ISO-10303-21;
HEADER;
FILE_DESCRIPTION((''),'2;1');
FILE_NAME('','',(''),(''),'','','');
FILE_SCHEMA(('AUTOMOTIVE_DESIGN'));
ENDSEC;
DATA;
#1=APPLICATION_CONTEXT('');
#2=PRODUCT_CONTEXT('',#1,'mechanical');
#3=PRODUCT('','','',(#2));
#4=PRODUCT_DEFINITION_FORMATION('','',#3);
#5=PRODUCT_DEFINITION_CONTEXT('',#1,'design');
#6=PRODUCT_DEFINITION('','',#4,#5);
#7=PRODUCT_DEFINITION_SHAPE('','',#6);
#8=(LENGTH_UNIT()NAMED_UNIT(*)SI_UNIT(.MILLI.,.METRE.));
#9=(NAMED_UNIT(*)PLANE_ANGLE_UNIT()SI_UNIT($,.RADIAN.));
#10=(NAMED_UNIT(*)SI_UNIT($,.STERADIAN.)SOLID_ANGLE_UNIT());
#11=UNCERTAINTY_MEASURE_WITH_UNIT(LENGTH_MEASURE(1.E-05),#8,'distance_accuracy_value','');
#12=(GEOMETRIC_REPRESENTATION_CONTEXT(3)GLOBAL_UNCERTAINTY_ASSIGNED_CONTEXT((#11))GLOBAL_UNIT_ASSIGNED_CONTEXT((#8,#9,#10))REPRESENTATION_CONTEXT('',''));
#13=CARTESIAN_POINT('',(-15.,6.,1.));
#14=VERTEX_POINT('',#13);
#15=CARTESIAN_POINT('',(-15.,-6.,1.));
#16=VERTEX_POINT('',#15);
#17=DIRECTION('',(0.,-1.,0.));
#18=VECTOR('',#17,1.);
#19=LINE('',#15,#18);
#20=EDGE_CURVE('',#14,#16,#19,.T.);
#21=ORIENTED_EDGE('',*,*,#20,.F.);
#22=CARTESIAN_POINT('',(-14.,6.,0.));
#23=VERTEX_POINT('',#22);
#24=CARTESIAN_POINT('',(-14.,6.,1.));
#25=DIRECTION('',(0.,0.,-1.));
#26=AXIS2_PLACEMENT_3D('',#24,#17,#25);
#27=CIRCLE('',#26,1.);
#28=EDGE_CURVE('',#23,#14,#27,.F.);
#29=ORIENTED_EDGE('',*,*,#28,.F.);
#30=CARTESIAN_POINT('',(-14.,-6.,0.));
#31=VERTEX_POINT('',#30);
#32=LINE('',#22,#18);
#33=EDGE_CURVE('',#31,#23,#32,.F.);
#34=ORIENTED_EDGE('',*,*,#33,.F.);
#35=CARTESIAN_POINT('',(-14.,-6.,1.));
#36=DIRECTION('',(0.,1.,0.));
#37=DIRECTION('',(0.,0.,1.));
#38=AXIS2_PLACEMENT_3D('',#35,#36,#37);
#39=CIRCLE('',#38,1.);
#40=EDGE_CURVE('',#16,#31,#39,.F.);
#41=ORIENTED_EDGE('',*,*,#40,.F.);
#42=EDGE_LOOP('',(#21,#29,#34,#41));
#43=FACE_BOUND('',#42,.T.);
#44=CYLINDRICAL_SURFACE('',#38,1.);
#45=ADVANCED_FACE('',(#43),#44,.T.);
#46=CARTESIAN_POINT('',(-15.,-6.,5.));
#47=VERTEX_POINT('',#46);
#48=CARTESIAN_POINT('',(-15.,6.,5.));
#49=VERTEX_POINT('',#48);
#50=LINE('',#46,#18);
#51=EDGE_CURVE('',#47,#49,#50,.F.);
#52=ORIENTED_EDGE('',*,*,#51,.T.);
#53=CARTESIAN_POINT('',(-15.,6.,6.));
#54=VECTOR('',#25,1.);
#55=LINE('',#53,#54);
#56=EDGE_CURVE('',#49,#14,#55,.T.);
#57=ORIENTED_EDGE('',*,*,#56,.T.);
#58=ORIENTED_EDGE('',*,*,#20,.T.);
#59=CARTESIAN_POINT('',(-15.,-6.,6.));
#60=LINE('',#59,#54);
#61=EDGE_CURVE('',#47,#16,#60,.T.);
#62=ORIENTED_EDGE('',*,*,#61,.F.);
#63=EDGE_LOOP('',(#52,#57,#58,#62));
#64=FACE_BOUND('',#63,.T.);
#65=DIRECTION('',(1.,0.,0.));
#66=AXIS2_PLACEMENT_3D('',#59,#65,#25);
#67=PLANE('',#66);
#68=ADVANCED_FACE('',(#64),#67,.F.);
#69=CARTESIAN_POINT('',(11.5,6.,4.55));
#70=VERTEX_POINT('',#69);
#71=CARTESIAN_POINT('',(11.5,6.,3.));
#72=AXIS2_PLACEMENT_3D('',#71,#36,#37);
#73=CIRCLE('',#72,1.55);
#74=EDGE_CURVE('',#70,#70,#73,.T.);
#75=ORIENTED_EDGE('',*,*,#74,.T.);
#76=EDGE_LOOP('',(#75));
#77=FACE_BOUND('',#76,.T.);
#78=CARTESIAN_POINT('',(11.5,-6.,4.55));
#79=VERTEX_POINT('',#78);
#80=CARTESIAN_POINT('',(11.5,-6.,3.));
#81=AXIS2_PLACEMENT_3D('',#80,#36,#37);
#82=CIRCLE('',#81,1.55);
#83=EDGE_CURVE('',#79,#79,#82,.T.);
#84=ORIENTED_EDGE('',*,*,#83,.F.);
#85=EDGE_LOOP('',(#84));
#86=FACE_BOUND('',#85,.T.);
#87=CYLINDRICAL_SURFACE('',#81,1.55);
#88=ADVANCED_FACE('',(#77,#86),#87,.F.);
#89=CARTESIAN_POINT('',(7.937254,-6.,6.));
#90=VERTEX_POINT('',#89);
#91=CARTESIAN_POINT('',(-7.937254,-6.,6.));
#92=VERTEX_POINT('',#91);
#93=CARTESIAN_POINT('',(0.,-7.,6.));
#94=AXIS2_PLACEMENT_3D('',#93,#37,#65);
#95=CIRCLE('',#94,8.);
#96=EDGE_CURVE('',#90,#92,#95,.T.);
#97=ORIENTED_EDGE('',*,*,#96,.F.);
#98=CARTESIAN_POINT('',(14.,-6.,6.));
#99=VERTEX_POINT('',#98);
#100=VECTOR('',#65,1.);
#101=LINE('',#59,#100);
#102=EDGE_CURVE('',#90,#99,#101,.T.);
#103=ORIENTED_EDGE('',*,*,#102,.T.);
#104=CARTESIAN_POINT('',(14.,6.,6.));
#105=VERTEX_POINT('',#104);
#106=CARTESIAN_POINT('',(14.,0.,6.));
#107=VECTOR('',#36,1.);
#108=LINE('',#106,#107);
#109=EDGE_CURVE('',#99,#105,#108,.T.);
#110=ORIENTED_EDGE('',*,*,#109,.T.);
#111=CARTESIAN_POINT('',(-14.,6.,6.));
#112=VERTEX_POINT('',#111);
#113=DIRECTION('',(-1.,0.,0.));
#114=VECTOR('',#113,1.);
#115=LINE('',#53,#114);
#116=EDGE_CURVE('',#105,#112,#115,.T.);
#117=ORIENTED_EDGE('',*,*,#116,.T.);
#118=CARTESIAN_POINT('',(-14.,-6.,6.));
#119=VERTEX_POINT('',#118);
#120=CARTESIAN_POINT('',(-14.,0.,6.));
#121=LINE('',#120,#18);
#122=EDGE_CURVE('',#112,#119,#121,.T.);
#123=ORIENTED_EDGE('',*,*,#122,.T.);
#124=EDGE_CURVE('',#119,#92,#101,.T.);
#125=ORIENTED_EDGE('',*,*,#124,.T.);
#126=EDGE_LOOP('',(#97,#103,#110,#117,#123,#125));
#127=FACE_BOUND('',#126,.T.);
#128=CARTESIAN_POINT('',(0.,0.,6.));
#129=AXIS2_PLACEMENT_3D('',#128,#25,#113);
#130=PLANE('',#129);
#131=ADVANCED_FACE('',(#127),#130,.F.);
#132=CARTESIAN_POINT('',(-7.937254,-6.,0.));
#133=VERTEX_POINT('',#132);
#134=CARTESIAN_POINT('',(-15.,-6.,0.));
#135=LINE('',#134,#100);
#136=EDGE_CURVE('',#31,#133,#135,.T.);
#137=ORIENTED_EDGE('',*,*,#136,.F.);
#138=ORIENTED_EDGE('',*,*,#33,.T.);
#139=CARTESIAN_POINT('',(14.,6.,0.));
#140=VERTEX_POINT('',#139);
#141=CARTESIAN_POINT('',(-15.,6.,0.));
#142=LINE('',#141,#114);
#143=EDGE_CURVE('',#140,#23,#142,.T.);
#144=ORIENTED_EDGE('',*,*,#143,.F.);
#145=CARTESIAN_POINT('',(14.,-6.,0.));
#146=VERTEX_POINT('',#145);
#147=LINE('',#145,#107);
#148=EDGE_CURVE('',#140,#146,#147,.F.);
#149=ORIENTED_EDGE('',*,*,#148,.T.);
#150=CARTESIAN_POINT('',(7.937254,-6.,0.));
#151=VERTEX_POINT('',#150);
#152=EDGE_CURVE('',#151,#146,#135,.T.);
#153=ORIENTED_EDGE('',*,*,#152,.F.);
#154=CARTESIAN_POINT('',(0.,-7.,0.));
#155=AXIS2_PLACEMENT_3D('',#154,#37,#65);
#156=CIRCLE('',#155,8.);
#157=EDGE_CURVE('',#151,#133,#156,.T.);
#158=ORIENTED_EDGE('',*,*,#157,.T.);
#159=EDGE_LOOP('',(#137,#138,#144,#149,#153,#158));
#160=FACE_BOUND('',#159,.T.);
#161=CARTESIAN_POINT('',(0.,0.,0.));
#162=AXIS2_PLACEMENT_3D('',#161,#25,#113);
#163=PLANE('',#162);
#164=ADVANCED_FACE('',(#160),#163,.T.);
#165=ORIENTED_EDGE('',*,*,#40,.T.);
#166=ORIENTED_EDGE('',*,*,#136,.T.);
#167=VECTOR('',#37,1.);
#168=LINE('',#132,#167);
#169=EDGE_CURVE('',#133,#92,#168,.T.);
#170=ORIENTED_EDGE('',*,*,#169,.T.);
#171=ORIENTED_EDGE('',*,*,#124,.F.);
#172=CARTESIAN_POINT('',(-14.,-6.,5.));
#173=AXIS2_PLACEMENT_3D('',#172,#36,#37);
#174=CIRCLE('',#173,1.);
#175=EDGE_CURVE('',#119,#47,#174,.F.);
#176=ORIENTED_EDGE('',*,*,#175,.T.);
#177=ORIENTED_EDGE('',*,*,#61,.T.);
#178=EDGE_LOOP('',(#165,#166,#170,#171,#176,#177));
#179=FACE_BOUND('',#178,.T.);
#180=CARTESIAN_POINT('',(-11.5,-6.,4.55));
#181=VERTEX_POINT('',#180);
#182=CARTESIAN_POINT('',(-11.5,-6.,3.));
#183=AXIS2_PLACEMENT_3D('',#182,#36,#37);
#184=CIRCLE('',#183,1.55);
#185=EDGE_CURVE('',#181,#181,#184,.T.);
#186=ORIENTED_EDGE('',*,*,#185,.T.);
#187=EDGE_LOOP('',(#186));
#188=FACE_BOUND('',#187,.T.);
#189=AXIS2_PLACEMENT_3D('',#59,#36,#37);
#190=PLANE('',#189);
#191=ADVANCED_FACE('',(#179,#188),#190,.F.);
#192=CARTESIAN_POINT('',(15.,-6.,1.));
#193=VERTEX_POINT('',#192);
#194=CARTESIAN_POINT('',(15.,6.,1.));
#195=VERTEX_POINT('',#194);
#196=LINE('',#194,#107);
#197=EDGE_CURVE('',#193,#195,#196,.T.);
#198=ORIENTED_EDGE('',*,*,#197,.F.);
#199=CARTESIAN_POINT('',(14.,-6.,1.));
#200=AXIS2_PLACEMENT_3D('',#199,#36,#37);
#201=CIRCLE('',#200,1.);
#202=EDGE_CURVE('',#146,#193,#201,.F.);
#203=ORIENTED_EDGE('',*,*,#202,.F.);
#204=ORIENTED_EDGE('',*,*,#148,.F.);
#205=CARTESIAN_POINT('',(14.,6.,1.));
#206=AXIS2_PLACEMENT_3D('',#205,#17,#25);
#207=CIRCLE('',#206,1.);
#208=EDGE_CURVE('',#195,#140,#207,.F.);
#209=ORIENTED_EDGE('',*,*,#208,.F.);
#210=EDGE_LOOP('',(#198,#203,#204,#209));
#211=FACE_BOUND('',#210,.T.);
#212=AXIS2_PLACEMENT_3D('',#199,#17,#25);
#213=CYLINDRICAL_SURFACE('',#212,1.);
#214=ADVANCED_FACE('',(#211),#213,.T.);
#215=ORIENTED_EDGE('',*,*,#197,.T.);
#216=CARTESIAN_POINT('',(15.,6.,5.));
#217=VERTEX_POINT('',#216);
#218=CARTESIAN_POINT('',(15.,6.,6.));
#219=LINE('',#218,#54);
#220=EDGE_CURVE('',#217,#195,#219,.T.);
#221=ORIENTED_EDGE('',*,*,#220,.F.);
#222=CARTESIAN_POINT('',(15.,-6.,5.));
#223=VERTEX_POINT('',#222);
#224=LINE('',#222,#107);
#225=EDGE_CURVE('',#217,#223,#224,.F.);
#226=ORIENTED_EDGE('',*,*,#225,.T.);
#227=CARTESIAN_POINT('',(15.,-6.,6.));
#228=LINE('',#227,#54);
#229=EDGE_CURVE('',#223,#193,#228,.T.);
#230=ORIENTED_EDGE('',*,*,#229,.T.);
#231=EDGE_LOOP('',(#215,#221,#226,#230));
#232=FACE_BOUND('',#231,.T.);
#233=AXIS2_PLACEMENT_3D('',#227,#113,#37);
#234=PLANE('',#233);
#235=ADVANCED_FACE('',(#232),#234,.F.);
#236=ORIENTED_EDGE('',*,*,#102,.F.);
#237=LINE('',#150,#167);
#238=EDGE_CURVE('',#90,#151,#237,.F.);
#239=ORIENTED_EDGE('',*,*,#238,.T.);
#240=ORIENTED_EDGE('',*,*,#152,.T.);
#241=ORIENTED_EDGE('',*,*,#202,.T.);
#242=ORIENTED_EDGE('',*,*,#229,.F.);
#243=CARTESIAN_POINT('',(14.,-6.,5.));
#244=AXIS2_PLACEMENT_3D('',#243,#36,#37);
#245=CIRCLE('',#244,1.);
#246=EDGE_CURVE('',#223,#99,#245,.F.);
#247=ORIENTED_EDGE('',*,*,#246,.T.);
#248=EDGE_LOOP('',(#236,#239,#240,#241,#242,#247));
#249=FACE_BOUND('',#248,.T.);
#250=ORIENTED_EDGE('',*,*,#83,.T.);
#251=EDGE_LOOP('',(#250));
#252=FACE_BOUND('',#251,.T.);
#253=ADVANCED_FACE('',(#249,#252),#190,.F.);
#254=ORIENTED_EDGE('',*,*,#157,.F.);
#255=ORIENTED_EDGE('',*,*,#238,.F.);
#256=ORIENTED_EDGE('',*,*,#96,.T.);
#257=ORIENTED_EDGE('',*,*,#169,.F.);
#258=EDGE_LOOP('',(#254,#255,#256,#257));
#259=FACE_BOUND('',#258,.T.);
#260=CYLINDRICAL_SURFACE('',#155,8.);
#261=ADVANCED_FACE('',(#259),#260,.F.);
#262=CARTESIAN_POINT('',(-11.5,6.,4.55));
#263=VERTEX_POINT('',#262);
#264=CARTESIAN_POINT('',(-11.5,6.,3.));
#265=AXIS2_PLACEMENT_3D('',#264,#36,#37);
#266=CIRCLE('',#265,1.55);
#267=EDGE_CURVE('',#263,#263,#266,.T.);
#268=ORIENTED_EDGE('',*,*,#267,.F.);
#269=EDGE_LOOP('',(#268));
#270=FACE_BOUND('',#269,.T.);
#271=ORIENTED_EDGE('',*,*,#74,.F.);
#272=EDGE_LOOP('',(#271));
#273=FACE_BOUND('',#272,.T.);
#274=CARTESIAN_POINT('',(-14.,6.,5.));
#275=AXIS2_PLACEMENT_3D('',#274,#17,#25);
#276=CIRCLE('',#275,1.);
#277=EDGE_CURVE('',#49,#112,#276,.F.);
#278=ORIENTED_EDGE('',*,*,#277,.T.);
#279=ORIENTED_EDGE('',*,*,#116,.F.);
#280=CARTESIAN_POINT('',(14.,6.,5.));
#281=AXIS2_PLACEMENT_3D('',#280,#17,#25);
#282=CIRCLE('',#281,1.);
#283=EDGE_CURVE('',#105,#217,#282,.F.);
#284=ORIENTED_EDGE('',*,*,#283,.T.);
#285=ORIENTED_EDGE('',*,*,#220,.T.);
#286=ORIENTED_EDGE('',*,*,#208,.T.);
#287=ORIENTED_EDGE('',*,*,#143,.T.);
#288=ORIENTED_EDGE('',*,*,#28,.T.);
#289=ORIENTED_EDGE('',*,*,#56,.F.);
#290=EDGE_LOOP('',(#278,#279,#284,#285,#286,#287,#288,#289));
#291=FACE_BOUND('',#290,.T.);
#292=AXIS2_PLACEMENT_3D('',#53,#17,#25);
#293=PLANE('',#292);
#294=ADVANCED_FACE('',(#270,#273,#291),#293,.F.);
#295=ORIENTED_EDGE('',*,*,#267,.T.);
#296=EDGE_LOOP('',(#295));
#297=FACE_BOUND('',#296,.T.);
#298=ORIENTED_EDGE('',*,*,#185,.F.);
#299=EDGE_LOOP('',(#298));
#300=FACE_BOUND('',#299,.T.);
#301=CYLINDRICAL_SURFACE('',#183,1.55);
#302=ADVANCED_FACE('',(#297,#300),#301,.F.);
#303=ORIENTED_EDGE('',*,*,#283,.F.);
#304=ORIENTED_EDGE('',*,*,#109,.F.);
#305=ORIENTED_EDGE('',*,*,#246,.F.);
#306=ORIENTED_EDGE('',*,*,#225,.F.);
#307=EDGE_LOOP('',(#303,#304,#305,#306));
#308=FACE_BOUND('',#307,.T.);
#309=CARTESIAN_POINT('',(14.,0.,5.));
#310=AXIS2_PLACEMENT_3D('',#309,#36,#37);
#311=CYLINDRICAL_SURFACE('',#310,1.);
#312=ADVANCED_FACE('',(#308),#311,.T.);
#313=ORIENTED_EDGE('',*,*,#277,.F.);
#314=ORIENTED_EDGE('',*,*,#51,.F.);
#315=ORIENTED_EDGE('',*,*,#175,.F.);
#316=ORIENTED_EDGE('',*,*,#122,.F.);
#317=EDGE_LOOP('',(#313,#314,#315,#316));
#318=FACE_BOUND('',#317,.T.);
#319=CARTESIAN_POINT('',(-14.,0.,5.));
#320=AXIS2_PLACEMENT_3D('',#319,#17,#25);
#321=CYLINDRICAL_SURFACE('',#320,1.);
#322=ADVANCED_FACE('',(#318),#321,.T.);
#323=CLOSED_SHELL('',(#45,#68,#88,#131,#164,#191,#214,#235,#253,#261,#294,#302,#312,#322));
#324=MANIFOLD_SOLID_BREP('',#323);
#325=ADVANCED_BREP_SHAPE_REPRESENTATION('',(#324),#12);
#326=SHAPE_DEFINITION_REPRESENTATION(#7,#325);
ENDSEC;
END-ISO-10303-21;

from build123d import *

# Parameters (mm, degrees)
SKETCH1_W           = 30
SKETCH1_H           = 12
BOSS_EXTRUDE1_DEPTH = 6
SKETCH2_R           = 8
CUT_EXTRUDE1_DEPTH  = 18.23368794
SKETCH3_R           = 1.55
CUT_EXTRUDE2_DEPTH  = 21.124611797
FILLET1_R           = 1


with BuildPart() as part:
    # Sketch1 → Boss-Extrude1 (new body)
    with BuildSketch(Plane.XY):
        Rectangle(SKETCH1_W, SKETCH1_H)
    extrude(amount=BOSS_EXTRUDE1_DEPTH)

    # Sketch2 → Cut-Extrude1 (cut, through all)
    with BuildSketch(Plane.XY.offset(6)):
        with Locations((0, -7)):
            Circle(SKETCH2_R)
    extrude(amount=-CUT_EXTRUDE1_DEPTH, mode=Mode.SUBTRACT)

    # Sketch3 → Cut-Extrude2 (cut, through all)
    with BuildSketch(Plane(origin=(0, 6, 0), x_dir=(1, 0, 0), z_dir=(0, 1, 0))):
        with Locations(Location((-11.5, -3, 0), (0, 0, 270))):
            Circle(SKETCH3_R)
        with Locations(Location((11.5, -3, 0), (0, 0, 270))):
            Circle(SKETCH3_R)
    extrude(amount=-CUT_EXTRUDE2_DEPTH, mode=Mode.SUBTRACT)

    # Fillet1
    fillet1_edges = [part.edges().sort_by_distance(p)[0] for p in [
        (-15, 0, 6),
        (15, 0, 6),
        (-15, 0, 0),
        (15, 0, 0),
    ]]
    fillet(fillet1_edges, radius=FILLET1_R)


solid = part.part
